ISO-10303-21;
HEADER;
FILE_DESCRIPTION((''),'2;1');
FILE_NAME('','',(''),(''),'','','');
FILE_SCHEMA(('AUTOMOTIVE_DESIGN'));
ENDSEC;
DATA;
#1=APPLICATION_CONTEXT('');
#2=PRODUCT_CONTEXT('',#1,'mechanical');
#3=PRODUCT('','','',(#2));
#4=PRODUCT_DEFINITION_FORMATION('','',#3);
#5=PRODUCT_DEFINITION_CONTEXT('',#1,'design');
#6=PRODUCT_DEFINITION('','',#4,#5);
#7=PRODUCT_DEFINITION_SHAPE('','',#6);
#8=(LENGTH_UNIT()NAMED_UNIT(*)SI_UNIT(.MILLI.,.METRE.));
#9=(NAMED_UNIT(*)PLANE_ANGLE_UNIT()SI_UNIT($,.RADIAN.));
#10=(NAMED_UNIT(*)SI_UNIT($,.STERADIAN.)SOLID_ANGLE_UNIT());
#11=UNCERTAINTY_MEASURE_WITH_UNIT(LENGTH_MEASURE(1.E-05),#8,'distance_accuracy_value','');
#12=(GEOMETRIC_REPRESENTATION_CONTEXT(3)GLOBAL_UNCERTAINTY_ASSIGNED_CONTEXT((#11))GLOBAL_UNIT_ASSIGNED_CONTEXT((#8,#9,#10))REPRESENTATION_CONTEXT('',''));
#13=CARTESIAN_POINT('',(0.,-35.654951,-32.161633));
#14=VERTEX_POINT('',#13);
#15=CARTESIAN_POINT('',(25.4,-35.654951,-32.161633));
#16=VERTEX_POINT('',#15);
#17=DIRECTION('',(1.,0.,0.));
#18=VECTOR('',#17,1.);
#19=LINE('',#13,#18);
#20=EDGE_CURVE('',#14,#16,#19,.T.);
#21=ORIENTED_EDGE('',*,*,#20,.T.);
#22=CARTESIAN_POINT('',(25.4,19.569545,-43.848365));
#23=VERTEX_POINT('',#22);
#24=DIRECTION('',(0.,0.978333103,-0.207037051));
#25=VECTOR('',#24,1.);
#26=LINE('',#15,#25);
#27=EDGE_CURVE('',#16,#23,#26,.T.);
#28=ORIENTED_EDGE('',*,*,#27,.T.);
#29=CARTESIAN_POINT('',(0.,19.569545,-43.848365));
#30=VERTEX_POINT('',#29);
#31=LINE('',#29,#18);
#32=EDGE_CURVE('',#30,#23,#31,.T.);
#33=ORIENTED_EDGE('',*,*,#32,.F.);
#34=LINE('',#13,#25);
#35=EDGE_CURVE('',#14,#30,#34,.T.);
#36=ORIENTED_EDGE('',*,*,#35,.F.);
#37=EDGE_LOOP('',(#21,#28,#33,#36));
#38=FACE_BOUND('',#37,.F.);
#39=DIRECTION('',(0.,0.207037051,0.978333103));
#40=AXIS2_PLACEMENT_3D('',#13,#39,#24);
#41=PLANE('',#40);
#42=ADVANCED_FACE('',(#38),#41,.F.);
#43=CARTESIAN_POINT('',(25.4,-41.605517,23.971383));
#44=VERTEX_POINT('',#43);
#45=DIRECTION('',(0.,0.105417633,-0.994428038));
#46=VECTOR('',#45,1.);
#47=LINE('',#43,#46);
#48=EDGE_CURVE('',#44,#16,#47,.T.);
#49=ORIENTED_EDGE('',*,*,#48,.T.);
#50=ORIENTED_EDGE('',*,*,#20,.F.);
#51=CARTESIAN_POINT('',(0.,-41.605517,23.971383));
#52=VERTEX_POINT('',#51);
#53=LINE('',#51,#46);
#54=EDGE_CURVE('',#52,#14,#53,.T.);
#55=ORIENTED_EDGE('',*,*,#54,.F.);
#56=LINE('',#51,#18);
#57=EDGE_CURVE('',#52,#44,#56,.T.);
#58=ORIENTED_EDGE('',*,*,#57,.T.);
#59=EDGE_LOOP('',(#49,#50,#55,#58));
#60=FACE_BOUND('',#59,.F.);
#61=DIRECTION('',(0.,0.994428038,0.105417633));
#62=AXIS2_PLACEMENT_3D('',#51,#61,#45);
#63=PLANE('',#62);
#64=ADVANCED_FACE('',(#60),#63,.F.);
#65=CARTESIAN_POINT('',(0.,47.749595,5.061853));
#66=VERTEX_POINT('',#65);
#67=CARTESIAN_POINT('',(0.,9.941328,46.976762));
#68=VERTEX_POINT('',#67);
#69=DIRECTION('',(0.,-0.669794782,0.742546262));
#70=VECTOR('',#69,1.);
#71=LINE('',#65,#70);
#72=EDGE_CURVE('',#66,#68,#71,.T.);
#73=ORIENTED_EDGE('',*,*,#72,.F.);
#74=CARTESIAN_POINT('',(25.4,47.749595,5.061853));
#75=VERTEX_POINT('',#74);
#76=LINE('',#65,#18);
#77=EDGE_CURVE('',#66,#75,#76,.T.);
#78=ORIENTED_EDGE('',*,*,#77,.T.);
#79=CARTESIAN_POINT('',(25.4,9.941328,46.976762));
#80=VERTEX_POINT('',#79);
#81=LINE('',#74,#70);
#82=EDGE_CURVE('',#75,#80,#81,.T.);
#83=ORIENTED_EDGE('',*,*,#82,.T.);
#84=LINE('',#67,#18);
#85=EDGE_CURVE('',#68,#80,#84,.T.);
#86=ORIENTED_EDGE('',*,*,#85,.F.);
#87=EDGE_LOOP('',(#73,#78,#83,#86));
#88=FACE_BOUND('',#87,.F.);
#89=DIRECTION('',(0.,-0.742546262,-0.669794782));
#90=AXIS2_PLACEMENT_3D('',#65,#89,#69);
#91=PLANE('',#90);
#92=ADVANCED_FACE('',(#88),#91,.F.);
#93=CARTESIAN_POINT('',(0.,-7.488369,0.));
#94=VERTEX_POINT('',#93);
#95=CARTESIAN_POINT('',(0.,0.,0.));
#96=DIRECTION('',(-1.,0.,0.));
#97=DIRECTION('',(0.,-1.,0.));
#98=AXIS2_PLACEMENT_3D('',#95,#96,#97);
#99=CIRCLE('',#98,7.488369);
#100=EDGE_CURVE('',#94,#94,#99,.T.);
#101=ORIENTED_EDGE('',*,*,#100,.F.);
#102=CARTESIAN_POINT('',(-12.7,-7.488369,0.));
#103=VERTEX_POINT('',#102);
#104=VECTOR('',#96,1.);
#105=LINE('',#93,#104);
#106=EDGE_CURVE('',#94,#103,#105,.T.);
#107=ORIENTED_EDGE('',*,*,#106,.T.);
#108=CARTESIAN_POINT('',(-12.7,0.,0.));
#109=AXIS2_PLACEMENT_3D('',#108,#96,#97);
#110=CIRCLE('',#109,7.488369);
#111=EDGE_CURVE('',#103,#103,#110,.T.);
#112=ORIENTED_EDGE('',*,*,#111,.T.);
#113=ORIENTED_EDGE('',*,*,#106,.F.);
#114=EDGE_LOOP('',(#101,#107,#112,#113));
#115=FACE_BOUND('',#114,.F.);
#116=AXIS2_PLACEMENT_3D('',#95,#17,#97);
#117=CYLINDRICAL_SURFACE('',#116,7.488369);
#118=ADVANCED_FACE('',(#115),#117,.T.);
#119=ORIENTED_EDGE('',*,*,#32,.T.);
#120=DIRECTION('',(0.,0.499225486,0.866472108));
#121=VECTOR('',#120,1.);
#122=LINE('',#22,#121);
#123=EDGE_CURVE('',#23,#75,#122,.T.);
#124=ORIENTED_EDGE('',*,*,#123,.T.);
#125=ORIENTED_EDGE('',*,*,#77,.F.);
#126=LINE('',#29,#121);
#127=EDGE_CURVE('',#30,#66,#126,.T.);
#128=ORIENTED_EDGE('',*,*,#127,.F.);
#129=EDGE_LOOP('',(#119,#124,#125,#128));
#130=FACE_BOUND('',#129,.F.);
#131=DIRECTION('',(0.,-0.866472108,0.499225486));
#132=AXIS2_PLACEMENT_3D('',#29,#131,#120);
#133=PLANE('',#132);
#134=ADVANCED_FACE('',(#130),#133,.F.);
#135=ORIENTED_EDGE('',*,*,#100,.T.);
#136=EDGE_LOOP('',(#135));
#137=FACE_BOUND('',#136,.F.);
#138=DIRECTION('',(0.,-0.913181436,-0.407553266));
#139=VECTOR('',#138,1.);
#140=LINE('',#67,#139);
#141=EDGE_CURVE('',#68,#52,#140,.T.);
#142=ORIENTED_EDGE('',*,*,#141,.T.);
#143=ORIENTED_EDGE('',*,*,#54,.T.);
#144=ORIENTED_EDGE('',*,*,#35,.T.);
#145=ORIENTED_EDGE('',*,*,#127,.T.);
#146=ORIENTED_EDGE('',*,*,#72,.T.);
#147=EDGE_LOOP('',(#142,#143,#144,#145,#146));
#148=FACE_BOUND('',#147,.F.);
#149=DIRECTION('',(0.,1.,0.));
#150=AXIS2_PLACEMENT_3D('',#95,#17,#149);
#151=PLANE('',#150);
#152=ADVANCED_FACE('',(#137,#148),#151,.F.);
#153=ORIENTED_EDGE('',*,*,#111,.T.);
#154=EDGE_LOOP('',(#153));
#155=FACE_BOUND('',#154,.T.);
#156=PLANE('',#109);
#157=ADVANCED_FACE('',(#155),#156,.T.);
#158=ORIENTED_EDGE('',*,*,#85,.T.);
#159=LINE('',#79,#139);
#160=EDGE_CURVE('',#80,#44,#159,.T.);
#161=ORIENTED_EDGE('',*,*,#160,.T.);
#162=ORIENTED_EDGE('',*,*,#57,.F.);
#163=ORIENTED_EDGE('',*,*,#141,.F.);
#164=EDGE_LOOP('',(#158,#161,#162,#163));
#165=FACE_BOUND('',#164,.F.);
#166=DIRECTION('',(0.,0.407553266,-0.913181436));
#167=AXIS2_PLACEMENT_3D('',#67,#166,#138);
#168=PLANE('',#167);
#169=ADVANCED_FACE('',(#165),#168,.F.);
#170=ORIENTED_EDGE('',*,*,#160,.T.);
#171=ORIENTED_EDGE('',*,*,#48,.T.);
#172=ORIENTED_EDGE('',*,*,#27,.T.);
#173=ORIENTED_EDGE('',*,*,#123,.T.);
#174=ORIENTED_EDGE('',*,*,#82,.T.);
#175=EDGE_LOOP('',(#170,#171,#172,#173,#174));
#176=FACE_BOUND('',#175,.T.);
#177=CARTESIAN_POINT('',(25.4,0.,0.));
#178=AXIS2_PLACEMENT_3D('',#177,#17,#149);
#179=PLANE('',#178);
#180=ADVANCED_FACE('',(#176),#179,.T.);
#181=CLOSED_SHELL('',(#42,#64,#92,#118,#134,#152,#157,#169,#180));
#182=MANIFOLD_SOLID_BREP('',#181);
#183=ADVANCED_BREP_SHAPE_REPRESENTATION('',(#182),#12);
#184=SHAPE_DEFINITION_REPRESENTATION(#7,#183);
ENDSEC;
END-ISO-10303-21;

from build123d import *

# Parameters (mm, degrees)
F1_DEPTH = 25.4
F2_R     = 7.488369
F3_DEPTH = 12.7


with BuildPart() as f1:
    # F0 (on Right) → F1 (new body)
    with BuildSketch(Plane.YZ):
        Polygon((19.569545, -43.848365), (47.749595, 5.061853), (9.941328, 46.976762), (-41.605517, 23.971383), (-35.654951, -32.161633), align=None)
    extrude(amount=F1_DEPTH)

    # F2 (on face) → F3 (join)
    with BuildSketch(Plane(origin=(0, 0, 0), x_dir=(0, -1, 0), z_dir=(-1, 0, 0))):
        Circle(F2_R)
    extrude(amount=F3_DEPTH)


solid = f1.part
